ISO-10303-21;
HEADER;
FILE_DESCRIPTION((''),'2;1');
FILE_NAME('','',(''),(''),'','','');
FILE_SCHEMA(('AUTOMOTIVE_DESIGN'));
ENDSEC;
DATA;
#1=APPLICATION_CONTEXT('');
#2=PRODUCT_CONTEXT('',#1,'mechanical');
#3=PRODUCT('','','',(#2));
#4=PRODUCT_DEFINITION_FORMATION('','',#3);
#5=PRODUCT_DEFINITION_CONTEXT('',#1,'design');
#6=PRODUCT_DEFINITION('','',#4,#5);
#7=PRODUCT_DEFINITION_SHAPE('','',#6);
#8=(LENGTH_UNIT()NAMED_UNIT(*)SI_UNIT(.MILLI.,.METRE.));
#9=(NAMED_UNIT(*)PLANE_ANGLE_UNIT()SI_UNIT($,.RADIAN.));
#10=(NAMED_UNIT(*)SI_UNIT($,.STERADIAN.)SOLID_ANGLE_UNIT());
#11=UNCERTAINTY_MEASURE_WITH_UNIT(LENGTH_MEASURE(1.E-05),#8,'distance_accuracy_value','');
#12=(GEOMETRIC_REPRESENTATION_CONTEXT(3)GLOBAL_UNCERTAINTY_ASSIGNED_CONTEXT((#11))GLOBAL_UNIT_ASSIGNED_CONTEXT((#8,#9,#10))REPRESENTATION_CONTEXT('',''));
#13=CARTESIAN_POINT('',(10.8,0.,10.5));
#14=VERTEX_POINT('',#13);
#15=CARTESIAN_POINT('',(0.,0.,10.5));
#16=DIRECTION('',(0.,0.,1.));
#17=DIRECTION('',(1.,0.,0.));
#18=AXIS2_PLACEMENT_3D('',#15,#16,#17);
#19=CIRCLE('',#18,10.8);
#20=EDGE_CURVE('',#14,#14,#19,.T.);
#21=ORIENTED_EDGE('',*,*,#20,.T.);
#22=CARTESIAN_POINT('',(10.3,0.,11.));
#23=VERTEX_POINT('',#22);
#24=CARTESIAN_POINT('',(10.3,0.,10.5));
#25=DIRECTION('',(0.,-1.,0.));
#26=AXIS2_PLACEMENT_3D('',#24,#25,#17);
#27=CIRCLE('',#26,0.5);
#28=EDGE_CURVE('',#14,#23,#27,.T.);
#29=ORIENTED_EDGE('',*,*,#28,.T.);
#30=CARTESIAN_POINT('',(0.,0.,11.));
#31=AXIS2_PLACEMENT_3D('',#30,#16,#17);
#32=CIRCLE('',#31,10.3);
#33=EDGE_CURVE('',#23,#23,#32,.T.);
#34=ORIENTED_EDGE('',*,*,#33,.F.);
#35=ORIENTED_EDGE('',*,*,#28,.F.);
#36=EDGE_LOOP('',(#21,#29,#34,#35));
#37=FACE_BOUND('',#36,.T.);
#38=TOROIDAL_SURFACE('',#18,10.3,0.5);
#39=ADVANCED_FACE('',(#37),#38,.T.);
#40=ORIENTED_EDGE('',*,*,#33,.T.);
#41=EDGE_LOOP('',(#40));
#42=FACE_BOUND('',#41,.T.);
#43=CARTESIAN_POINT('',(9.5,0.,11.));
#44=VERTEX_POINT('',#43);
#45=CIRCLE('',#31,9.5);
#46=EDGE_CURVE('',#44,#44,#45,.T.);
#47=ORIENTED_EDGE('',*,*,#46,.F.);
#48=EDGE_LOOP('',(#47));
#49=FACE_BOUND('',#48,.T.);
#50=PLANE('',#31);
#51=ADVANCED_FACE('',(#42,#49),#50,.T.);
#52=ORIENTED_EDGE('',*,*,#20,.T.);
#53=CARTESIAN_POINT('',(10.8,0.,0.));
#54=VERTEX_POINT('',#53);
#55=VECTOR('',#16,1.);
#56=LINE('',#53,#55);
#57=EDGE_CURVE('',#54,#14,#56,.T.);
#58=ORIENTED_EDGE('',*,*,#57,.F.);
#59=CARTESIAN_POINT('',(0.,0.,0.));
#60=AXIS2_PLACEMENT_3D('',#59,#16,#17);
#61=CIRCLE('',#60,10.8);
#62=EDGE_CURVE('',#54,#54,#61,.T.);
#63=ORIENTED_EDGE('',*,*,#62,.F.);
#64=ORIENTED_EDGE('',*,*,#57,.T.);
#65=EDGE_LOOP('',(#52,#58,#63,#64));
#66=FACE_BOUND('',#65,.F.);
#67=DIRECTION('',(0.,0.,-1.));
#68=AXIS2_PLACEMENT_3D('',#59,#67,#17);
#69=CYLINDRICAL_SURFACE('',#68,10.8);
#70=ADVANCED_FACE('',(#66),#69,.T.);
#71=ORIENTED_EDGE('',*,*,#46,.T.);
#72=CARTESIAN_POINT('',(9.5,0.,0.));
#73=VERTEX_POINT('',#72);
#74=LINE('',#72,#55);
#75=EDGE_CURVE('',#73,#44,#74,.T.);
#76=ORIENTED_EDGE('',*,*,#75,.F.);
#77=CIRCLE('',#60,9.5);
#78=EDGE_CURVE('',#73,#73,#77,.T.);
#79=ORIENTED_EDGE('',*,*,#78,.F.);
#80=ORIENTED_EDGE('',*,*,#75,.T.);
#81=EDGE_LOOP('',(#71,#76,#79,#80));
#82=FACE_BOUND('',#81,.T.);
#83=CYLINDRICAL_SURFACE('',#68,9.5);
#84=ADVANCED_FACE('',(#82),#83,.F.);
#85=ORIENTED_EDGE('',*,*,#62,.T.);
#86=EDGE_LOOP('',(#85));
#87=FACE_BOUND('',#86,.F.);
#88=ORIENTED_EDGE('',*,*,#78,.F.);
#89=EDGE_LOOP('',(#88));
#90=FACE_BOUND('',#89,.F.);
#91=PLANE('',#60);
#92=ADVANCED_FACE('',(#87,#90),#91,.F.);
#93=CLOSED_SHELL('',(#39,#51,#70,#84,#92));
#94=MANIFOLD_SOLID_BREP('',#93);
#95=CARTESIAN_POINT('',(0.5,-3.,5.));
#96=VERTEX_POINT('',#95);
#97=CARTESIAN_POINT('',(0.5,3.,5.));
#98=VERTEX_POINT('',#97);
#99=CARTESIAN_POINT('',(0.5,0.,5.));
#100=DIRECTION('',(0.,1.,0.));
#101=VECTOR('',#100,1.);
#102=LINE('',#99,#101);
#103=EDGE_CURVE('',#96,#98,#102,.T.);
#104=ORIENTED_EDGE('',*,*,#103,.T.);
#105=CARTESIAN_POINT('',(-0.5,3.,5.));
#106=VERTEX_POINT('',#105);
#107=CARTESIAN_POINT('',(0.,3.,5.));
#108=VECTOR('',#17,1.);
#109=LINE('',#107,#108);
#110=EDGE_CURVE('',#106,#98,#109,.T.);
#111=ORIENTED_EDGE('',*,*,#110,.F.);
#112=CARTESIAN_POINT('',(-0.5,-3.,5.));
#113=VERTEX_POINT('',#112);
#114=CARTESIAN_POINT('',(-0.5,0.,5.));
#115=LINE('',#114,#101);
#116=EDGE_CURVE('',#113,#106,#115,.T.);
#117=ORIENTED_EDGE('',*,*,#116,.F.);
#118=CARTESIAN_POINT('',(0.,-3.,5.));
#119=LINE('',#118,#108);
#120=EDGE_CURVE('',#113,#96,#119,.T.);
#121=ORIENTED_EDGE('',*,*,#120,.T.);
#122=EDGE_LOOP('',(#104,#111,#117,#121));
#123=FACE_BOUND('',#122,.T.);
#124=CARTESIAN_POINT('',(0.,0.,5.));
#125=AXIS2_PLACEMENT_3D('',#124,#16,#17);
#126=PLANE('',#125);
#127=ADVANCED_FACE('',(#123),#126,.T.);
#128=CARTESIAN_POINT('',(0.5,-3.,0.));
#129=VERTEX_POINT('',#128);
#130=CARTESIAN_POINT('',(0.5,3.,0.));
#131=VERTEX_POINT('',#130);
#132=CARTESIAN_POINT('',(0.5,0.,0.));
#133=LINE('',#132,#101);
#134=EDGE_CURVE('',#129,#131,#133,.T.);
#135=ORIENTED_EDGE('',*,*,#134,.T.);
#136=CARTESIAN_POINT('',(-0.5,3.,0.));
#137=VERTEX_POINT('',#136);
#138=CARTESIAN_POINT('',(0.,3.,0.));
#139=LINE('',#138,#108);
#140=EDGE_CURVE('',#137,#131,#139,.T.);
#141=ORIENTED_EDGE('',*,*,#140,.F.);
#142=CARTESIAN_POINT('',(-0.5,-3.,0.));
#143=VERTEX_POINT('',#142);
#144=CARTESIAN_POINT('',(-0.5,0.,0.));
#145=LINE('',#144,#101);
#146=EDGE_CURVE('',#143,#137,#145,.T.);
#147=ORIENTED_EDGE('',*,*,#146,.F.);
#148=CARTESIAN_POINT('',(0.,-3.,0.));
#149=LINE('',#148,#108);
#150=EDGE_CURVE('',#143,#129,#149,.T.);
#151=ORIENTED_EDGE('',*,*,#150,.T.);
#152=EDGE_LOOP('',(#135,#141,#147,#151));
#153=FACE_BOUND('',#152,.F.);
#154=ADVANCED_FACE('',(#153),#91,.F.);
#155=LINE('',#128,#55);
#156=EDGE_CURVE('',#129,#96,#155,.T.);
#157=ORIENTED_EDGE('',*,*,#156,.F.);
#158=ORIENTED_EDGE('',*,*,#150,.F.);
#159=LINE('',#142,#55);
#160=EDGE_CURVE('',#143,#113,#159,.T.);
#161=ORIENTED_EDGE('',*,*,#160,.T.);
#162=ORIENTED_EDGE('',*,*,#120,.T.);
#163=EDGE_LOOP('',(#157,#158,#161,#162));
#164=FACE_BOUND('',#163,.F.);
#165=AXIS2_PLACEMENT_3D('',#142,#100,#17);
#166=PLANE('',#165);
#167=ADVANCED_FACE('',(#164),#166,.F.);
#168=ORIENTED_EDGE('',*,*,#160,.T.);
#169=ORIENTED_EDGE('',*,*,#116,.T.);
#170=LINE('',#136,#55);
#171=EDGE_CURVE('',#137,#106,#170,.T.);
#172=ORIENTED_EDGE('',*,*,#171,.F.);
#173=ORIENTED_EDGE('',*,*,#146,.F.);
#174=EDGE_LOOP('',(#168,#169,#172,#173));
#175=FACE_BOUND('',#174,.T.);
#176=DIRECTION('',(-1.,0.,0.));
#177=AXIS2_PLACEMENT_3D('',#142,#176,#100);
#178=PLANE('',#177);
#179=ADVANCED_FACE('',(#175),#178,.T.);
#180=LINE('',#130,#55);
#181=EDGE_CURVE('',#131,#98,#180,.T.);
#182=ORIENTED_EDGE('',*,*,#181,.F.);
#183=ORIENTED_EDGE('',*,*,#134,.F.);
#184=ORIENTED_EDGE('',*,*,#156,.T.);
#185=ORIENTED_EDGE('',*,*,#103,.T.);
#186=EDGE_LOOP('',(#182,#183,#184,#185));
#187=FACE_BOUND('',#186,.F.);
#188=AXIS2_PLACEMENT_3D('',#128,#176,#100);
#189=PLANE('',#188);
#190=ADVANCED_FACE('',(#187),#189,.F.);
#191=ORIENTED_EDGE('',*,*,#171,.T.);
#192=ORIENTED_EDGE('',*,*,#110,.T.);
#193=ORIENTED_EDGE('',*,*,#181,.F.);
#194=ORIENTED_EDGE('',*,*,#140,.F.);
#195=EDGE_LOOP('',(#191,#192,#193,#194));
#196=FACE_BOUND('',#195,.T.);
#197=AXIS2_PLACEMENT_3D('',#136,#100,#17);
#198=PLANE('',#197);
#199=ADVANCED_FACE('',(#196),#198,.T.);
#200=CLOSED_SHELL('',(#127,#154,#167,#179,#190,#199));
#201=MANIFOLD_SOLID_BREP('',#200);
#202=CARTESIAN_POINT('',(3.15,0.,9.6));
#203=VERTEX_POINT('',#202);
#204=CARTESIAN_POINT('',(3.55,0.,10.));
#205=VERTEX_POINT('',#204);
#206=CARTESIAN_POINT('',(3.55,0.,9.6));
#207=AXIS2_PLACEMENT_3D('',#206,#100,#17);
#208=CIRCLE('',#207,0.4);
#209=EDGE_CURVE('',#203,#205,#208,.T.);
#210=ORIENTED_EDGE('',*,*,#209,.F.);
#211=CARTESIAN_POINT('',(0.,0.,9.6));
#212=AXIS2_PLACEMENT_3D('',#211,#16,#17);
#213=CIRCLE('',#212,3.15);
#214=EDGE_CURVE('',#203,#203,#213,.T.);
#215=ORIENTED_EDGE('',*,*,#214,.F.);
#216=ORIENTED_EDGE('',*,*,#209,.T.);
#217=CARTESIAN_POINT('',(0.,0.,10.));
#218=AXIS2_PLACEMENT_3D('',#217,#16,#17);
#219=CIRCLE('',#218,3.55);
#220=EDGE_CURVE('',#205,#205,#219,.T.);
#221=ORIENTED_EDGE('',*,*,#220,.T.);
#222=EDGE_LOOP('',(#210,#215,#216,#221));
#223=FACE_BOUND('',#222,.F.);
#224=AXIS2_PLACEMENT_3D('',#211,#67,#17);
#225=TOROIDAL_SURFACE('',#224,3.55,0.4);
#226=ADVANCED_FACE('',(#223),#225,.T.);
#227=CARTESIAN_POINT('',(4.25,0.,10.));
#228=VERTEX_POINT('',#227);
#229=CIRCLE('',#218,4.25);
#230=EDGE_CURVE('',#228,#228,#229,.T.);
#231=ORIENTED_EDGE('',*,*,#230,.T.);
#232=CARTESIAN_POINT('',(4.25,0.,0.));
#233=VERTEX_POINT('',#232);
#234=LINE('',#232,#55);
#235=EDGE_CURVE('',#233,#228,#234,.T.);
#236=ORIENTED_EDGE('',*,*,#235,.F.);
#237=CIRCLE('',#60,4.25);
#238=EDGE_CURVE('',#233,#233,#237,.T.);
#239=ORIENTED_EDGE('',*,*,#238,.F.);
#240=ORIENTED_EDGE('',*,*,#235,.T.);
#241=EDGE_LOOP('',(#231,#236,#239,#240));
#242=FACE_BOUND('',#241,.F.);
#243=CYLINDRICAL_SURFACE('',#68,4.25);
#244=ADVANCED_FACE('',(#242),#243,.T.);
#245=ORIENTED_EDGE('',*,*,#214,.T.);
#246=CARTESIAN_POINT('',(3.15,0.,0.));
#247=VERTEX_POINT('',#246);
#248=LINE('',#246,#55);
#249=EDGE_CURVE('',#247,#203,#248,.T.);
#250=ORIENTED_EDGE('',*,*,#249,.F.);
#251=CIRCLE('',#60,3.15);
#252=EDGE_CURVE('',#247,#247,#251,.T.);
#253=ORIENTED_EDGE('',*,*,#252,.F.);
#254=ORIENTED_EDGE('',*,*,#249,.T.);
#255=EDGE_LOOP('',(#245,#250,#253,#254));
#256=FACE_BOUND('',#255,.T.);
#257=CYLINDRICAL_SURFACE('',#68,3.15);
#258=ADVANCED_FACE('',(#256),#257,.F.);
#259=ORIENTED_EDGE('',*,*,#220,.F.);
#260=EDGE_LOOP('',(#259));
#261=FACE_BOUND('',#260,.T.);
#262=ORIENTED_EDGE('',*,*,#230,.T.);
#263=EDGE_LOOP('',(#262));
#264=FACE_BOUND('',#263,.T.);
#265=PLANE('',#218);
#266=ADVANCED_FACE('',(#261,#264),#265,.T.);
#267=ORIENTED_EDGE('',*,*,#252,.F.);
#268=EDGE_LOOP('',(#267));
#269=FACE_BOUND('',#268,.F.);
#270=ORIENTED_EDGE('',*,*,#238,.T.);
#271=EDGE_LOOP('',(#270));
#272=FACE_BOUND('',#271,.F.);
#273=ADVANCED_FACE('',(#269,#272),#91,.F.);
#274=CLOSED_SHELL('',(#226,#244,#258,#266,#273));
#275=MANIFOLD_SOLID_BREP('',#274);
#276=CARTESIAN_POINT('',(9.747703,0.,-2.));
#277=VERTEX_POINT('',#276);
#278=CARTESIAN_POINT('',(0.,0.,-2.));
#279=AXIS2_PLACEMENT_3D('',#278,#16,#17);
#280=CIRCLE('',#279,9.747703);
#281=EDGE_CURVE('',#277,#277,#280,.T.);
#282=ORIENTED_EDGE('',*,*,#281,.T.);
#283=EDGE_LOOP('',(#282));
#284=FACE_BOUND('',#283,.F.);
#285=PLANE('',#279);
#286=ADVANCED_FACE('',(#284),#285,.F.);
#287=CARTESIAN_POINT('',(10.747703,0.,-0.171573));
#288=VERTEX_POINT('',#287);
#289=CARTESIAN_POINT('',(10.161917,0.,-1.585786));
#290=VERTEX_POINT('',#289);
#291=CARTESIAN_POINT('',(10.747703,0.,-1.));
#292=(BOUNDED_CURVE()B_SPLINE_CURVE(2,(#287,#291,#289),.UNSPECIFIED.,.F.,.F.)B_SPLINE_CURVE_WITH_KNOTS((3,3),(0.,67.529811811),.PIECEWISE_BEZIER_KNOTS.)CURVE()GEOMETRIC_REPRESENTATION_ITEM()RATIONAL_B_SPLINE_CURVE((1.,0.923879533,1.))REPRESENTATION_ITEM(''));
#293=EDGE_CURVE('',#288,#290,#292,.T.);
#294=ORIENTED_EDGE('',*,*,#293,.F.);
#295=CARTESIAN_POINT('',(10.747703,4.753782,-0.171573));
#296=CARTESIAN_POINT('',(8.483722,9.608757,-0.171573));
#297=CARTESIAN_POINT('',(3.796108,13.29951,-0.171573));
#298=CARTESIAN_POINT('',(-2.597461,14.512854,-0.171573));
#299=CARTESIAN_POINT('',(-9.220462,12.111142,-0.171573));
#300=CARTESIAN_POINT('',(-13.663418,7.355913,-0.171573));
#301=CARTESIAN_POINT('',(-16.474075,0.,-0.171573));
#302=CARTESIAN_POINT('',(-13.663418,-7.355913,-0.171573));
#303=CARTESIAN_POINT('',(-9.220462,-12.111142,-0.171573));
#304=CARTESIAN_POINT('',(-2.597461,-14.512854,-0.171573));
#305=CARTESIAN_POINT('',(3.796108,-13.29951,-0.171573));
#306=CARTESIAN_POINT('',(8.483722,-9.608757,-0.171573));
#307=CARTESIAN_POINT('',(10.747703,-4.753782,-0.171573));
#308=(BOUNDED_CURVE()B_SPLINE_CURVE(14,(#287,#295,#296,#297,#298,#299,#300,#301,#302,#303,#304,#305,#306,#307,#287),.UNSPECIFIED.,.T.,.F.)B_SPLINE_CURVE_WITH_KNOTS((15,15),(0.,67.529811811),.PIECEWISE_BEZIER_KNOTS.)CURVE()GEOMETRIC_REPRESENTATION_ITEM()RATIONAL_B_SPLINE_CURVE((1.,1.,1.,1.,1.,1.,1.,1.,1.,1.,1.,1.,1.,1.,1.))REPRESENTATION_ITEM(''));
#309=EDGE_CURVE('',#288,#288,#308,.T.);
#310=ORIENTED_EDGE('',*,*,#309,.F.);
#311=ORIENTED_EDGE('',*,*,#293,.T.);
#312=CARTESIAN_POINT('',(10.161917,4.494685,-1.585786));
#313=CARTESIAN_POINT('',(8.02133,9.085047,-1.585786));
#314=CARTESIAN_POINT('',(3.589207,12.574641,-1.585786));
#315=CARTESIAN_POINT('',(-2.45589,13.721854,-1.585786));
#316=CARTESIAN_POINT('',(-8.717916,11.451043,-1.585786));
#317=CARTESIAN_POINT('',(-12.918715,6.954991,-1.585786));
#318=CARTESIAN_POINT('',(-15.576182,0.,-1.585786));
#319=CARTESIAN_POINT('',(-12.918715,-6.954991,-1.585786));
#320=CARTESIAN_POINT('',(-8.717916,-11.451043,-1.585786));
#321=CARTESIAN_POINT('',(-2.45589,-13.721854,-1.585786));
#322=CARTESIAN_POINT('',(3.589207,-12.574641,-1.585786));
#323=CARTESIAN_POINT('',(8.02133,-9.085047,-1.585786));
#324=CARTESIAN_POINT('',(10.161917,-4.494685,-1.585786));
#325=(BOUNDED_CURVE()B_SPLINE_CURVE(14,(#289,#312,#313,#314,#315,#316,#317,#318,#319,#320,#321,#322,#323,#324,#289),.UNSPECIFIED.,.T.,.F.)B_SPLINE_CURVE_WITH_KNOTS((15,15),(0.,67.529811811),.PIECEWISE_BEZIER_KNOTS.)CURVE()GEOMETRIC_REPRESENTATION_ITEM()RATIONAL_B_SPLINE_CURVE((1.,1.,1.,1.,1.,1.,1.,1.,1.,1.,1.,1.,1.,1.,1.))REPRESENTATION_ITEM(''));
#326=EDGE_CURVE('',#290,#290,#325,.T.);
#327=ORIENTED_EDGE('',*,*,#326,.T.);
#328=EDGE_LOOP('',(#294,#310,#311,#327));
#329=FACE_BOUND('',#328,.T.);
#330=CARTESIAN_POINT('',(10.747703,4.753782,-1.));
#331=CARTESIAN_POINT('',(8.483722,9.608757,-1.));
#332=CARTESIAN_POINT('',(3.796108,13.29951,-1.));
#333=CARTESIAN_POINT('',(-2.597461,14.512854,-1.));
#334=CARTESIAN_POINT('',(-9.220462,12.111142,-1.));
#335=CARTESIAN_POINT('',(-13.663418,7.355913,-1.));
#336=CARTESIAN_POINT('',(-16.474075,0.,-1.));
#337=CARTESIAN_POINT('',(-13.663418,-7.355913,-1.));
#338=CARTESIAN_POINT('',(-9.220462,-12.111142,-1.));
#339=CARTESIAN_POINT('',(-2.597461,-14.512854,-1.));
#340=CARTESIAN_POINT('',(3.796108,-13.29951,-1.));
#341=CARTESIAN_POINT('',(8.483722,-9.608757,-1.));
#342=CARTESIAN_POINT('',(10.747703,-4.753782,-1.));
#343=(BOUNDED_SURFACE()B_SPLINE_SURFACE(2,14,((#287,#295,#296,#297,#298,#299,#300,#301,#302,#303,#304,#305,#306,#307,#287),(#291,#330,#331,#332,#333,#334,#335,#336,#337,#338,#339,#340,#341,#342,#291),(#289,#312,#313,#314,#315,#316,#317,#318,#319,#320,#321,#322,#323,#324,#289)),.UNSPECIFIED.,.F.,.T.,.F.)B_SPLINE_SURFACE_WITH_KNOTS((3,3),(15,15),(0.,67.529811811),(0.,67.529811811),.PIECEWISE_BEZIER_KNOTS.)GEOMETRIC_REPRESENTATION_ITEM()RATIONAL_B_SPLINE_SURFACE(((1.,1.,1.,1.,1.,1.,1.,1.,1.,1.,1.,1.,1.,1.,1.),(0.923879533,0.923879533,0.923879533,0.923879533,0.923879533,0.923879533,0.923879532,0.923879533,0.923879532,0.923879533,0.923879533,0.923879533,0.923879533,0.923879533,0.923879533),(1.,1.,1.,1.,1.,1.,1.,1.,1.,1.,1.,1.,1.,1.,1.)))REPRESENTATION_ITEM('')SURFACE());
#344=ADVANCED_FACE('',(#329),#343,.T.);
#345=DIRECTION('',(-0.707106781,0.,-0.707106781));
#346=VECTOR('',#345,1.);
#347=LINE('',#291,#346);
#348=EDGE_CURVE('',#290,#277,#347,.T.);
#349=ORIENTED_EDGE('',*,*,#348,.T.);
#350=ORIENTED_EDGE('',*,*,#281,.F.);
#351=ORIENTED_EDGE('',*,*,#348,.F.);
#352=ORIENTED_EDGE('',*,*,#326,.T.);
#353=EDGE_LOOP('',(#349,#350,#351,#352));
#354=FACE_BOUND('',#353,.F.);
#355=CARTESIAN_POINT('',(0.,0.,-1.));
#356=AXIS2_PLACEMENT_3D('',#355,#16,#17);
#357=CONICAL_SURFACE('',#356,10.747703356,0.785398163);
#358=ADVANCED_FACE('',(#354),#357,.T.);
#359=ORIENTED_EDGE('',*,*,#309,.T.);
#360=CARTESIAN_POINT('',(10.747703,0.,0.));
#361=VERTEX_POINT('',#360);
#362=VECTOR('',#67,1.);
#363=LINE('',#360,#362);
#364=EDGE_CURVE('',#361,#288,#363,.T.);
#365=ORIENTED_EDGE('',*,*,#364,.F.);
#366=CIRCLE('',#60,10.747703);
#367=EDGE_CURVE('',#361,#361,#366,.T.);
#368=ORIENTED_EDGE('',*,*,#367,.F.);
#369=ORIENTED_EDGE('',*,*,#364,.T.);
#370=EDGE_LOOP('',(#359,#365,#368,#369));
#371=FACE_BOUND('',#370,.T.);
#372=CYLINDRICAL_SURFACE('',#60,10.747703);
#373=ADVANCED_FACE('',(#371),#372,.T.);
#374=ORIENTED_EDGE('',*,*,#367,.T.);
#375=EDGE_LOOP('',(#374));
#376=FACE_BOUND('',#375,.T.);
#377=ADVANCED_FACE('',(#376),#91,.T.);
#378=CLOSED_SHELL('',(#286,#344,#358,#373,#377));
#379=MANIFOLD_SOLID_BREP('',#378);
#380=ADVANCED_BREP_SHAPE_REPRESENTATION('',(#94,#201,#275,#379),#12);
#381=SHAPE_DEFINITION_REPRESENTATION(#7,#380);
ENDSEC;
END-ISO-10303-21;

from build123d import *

# Parameters (mm, degrees)
F0_R     = 4.25
F0_R_2   = 3.15
F1_DEPTH = 10
F2_R     = 10.8
F2_R_2   = 9.5
F3_DEPTH = 11
F4_R     = 10.7477033558
F5_DEPTH = 2
F6_W     = 1
F6_H     = 6
F7_DEPTH = 5
F8_SIZE  = 1
F9_R     = 2
F10_R    = 0.5
F11_R    = 0.4


with BuildPart() as f1:
    # F0 (on Top) → F1 (new body)
    with BuildSketch(Plane.XY):
        Circle(F0_R)
        Circle(F0_R_2, mode=Mode.SUBTRACT)
    extrude(amount=F1_DEPTH)

    # F11
    f11_edges = [f1.edges().sort_by_distance(p)[0] for p in [
        (-3.15, 0, 10),
    ]]
    fillet(f11_edges, radius=F11_R)


with BuildPart() as f3:
    # F2 (on Top) → F3 (new body)
    with BuildSketch(Plane.XY):
        Circle(F2_R)
        Circle(F2_R_2, mode=Mode.SUBTRACT)
    extrude(amount=F3_DEPTH)

    # F10
    f10_edges = [f3.edges().sort_by_distance(p)[0] for p in [
        (-10.8, 0, 11),
    ]]
    fillet(f10_edges, radius=F10_R)


with BuildPart() as f5:
    # F4 (on Top) → F5 (new body)
    with BuildSketch(Plane.XY):
        Circle(F4_R)
    extrude(amount=-F5_DEPTH)

    # F8
    f8_edges = [f5.edges().sort_by_distance(p)[0] for p in [
        (-10.747703, 0, -2),
    ]]
    chamfer(f8_edges, length=F8_SIZE)

    # F9
    f9_edges = [f5.edges().sort_by_distance(p)[0] for p in [
        (-10.747703, 0, -1),
    ]]
    fillet(f9_edges, radius=F9_R)


with BuildPart() as f7:
    # F6 (on face) → F7 (new body)
    with BuildSketch(Plane.XY):
        Rectangle(F6_W, F6_H)
    extrude(amount=F7_DEPTH)


solid = Compound([f1.part, f3.part, f5.part, f7.part])
